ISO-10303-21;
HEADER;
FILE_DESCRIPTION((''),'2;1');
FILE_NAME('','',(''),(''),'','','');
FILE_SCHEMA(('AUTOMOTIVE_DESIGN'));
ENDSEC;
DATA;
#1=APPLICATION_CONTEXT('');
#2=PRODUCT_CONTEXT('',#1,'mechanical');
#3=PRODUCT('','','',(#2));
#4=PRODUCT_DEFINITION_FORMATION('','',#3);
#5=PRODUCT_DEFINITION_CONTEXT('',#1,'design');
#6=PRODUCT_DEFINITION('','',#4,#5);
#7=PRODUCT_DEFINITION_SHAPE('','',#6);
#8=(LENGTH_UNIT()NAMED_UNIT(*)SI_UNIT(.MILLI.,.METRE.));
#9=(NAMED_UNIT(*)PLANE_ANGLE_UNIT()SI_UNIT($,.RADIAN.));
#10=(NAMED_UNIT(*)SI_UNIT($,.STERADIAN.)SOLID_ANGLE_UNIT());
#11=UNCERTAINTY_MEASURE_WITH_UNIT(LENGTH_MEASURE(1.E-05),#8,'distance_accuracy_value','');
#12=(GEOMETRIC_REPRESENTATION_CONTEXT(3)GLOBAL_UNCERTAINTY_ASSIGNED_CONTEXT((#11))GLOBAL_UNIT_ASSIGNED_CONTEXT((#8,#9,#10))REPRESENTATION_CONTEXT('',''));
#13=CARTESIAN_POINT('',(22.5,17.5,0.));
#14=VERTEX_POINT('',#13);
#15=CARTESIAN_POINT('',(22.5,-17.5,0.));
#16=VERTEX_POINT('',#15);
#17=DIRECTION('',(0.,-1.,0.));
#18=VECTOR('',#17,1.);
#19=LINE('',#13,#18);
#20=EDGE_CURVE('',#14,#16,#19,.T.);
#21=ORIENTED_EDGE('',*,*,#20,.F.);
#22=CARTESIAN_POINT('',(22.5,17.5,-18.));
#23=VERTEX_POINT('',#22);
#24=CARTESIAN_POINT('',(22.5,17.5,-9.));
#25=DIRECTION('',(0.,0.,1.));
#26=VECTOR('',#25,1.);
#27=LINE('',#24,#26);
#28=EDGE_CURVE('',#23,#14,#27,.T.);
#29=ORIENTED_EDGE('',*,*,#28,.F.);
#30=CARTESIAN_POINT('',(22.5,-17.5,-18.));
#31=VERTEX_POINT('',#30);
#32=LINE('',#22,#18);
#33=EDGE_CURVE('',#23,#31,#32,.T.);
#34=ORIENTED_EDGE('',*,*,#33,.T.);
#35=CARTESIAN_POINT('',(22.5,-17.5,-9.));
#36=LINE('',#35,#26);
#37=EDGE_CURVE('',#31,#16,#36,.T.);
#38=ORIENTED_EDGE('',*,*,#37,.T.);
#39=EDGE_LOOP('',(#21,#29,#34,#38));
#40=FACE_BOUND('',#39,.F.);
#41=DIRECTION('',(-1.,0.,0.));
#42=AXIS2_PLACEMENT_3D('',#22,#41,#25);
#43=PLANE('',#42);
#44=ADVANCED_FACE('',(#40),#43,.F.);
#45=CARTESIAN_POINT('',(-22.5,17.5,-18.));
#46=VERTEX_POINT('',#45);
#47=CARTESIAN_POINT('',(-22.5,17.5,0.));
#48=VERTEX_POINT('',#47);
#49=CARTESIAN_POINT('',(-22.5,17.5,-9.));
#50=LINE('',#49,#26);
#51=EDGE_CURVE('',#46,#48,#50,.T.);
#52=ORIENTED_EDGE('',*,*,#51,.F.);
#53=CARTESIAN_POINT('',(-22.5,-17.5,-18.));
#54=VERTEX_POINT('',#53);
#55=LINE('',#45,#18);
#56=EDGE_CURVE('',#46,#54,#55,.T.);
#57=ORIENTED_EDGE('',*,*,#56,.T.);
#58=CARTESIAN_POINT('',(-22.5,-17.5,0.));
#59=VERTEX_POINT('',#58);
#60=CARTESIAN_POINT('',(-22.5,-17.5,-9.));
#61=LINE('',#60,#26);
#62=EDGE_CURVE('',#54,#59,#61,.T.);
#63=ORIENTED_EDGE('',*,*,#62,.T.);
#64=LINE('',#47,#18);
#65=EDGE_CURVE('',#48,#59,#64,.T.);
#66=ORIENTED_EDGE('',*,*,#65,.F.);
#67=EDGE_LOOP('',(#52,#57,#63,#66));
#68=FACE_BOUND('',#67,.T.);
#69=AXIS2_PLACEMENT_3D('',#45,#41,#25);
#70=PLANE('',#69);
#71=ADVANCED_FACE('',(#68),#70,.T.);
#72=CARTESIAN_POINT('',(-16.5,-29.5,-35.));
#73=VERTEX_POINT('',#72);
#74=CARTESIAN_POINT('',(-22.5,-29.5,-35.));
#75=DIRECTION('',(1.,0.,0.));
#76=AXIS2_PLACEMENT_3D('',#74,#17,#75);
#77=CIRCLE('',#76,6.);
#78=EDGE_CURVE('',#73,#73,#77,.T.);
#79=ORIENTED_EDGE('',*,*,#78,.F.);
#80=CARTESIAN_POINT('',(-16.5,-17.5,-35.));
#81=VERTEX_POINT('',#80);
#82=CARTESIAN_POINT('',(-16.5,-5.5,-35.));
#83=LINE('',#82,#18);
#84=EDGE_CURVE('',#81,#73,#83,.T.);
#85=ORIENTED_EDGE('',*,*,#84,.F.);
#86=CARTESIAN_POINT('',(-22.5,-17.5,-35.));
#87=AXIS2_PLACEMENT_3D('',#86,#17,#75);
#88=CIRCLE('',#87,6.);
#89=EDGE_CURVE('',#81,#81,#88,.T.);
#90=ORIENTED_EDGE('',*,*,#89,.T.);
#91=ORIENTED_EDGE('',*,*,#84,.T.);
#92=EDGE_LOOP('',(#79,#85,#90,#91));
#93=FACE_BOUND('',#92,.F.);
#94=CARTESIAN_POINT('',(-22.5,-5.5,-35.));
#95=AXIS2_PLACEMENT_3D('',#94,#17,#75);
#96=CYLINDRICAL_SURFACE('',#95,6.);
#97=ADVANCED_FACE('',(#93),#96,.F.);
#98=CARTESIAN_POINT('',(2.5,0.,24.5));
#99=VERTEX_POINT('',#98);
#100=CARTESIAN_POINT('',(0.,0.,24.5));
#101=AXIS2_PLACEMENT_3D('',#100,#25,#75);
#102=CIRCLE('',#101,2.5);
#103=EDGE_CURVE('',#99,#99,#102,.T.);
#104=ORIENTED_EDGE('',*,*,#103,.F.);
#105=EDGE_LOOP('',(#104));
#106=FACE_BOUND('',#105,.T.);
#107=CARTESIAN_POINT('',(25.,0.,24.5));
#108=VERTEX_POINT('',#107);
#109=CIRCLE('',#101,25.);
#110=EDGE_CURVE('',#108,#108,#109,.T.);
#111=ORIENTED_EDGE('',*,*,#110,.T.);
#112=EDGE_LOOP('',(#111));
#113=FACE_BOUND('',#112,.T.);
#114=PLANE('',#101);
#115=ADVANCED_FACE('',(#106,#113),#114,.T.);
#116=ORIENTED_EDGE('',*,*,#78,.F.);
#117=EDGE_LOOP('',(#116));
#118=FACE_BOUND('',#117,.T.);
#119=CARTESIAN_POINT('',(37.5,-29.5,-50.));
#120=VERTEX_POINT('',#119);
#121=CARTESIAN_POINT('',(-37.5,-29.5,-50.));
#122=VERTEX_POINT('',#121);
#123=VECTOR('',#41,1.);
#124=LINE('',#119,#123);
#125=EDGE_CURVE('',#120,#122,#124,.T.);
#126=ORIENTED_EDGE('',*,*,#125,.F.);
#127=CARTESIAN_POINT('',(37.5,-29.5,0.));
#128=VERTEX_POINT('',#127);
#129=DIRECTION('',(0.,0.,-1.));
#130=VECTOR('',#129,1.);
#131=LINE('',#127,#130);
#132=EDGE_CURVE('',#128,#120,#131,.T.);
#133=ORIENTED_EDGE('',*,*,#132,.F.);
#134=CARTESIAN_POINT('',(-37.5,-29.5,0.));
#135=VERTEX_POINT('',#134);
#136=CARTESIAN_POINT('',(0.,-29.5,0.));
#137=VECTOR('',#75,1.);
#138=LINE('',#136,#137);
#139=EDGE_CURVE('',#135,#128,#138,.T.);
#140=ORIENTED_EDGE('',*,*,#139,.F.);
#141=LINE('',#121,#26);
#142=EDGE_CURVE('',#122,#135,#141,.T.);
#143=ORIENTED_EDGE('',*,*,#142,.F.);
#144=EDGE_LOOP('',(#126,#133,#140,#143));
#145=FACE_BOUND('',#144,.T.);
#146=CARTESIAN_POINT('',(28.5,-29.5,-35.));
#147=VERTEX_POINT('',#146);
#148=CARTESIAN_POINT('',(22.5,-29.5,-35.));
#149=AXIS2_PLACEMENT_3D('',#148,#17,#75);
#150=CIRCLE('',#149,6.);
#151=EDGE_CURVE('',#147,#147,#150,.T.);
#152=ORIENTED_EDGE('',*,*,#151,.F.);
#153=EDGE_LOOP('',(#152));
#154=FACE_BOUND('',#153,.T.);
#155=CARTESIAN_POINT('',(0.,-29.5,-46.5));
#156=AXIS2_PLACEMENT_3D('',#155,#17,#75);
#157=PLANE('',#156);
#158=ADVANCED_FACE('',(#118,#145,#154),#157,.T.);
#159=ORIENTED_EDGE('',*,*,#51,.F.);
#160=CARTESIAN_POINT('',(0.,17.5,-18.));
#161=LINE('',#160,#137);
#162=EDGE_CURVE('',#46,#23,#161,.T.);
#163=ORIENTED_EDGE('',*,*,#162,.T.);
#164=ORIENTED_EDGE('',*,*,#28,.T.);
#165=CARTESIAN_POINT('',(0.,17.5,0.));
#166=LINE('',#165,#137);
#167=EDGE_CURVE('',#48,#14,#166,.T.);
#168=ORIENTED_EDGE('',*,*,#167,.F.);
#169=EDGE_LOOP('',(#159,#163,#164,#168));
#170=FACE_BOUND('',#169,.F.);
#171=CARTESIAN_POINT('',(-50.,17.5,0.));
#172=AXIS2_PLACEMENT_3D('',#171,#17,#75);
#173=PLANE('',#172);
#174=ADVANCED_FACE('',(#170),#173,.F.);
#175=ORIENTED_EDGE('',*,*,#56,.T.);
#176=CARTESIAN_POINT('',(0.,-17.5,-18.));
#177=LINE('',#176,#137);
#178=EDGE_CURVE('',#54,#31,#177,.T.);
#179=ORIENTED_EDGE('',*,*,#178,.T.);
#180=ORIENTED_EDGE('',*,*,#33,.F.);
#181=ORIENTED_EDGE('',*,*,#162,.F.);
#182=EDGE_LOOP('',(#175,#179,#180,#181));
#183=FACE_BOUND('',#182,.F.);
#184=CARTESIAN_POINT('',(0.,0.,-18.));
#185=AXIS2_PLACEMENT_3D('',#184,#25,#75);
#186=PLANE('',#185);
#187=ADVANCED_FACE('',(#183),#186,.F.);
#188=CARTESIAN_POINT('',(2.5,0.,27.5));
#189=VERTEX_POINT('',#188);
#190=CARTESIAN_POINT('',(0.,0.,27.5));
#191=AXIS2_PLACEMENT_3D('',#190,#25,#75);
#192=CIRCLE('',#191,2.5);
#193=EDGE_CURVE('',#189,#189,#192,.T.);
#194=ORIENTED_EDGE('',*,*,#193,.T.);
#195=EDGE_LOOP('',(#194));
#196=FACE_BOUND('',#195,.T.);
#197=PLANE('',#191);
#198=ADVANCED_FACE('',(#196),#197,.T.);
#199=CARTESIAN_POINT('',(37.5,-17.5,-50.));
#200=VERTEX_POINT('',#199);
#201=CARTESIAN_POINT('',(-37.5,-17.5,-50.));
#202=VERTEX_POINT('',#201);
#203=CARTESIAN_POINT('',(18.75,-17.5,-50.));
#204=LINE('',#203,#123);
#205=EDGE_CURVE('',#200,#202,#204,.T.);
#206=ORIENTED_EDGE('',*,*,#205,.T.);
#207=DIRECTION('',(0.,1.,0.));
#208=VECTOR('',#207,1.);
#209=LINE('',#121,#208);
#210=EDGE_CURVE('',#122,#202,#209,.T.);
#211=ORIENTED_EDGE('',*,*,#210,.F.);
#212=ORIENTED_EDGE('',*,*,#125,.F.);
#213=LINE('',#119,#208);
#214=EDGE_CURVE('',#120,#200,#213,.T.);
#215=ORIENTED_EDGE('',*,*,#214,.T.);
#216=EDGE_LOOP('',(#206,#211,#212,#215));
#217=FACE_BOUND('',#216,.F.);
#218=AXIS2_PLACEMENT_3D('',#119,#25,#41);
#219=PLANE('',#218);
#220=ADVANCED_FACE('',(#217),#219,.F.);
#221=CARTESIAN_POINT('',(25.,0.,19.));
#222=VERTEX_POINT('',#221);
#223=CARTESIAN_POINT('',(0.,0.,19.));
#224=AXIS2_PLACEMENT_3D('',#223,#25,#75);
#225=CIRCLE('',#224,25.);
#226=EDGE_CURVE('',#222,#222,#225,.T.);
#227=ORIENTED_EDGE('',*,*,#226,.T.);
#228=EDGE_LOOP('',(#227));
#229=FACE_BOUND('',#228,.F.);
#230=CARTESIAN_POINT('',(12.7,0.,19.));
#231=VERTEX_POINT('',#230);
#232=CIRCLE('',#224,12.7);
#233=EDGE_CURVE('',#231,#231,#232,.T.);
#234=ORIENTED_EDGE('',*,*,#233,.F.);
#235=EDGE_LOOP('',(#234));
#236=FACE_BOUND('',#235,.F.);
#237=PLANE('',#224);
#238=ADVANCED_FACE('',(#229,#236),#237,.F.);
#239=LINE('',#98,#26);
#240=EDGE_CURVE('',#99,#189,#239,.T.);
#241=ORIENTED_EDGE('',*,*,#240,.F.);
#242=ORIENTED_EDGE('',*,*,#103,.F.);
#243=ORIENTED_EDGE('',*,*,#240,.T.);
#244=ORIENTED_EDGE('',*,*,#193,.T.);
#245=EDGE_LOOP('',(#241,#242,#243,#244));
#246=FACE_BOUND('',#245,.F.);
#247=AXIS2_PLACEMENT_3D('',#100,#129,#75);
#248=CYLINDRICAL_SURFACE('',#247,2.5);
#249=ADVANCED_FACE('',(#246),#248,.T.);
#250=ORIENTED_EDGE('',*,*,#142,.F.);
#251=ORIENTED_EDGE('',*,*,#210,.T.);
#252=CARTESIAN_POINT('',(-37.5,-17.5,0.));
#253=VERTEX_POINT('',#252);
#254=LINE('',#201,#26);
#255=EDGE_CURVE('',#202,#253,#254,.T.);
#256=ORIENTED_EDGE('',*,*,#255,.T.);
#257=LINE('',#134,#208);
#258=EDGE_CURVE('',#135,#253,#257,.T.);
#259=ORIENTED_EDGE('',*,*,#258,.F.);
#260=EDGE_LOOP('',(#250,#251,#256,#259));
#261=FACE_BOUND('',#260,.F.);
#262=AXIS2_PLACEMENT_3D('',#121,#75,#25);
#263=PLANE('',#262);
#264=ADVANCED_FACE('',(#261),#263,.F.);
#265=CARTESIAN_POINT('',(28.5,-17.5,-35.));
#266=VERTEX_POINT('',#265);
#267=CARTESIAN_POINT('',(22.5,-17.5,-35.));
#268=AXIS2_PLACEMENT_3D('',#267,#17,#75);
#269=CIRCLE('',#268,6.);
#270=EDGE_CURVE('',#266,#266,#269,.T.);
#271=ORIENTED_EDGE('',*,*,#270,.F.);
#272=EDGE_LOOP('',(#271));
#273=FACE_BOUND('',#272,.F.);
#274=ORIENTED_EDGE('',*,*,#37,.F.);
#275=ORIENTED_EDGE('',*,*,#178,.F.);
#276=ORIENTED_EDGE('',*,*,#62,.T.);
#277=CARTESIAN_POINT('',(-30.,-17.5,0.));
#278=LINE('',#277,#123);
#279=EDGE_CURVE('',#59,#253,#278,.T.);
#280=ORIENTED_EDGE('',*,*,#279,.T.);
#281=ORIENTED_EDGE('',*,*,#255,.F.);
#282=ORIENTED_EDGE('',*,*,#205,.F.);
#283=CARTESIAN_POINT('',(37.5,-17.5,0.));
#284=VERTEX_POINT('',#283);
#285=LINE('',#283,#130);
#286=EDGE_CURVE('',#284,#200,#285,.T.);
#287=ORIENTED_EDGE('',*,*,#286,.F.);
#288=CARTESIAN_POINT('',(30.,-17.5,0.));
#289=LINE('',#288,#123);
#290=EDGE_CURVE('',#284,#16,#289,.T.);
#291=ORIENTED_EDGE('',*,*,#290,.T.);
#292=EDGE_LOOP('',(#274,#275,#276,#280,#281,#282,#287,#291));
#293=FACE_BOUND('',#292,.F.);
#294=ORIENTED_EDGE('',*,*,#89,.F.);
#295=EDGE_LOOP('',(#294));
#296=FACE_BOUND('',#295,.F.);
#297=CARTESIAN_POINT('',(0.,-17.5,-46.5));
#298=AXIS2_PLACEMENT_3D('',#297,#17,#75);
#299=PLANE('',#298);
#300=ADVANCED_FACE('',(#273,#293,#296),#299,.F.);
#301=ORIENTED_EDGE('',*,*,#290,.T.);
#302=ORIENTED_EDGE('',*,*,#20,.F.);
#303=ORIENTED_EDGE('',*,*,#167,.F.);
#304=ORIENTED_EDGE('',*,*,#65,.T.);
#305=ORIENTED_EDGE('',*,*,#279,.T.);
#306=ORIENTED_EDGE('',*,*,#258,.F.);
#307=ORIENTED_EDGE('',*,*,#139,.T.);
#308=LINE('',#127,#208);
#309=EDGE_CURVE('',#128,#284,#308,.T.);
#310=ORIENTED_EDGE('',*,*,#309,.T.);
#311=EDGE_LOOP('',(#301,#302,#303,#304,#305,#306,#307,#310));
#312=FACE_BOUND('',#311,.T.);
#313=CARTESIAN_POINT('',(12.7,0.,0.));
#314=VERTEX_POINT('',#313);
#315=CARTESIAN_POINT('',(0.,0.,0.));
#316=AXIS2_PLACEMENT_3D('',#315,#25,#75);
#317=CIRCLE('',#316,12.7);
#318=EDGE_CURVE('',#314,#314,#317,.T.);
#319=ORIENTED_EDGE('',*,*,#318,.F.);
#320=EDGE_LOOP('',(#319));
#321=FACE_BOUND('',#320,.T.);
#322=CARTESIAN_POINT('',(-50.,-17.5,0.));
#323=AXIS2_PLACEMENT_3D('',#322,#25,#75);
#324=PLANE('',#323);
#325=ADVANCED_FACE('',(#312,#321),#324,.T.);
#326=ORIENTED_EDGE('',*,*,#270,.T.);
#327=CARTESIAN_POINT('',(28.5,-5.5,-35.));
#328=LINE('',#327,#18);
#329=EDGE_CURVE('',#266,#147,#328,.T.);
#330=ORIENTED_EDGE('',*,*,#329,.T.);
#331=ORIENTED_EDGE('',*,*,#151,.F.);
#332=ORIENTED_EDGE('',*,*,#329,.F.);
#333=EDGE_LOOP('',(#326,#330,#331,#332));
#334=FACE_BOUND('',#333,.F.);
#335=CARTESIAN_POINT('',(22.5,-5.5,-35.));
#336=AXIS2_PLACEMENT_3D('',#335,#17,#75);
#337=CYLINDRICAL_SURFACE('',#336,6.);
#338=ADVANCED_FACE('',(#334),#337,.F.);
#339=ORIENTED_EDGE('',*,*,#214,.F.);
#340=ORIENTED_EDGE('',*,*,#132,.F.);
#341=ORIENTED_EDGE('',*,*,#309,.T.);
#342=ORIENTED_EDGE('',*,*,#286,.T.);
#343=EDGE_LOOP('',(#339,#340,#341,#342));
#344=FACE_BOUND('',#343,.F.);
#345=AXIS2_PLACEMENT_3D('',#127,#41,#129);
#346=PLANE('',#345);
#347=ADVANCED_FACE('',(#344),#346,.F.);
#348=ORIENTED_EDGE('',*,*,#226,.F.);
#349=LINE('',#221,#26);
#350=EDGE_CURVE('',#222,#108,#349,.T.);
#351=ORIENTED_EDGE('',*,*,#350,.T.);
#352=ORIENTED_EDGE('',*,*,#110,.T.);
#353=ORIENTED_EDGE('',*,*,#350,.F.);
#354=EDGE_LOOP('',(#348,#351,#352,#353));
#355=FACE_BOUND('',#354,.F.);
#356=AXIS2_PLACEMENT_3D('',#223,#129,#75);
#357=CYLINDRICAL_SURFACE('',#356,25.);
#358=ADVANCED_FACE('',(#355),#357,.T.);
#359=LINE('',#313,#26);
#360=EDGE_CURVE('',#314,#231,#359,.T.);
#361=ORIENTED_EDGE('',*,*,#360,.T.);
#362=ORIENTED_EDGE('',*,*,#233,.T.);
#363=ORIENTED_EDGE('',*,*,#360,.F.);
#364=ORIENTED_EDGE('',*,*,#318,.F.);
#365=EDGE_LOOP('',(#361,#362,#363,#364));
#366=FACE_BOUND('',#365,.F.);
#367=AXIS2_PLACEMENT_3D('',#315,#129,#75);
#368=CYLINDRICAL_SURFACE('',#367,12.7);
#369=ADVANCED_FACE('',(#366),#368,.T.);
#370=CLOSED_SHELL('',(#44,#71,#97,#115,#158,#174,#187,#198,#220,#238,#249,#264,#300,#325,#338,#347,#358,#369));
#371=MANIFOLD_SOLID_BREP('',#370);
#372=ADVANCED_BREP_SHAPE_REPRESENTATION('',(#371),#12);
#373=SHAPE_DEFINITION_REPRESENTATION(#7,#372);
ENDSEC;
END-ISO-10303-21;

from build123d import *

# Parameters (mm, degrees)
F0_W      = 100
F0_H      = 35
F1_DEPTH  = 18
F2_R      = 12.7
F3_DEPTH  = 19
F4_R      = 25
F4_R_2    = 12.7
F5_DEPTH  = 5.5
F6_R      = 2.5
F7_DEPTH  = 3
F8_W      = 100
F8_H      = 57
F8_H_2    = 18
F9_DEPTH  = 12
F11_DEPTH = 50
F13_D     = 12
F13_DEPTH = 12
F14_W     = 15
F14_H     = 18
F15_DEPTH = 35


with BuildPart() as f1:
    # F0 (on Top) → F1 (new body)
    with BuildSketch(Plane.XY):
        Rectangle(F0_W, F0_H)
    extrude(amount=-F1_DEPTH)

    # F2 (on face) → F3 (join)
    with BuildSketch(Plane.XY):
        Circle(F2_R)
    extrude(amount=F3_DEPTH)

    # F4 (on face) → F5 (join)
    with BuildSketch(Plane.XY.offset(19)):
        Circle(F4_R)
        Circle(F4_R_2, mode=Mode.SUBTRACT)
        Circle(F4_R_2)
    extrude(amount=F5_DEPTH)

    # F6 (on face) → F7 (join)
    with BuildSketch(Plane.XY.offset(24.5)):
        Circle(F6_R)
    extrude(amount=F7_DEPTH)

    # F8 (on face) → F9 (join)
    with BuildSketch(Plane.XZ.offset(17.5)):
        with Locations((0, -46.5)):
            Rectangle(F8_W, F8_H)
        with Locations((0, -9)):
            Rectangle(F8_W, F8_H_2)
    extrude(amount=F9_DEPTH)

    # F10 (on face) → F11 (cut)
    with BuildSketch(Plane.XZ.offset(29.5)):
        Polygon((-37.5, -50), (-37.5, 0), (-50, 0), (-50, -75), (50, -75), (50, 0), (37.5, 0), (37.5, -50), align=None)
    extrude(amount=-F11_DEPTH, mode=Mode.SUBTRACT)

    # F13
    with Locations(Plane(origin=(0, -17.5, 0), x_dir=(-1, 0, 0), z_dir=(0, 1, 0))):
        with Locations((-22.5, -35), (22.5, -35)):
            Hole(F13_D / 2, depth=F13_DEPTH)

    # F14 (on face) → F15 (cut)
    with BuildSketch(Plane(origin=(0, 17.5, 0), x_dir=(-1, 0, 0), z_dir=(0, 1, 0))):
        with Locations((-30, -9)):
            Rectangle(F14_W, F14_H)
        with Locations((30, -9)):
            Rectangle(F14_W, F14_H)
    extrude(amount=-F15_DEPTH, mode=Mode.SUBTRACT)


solid = f1.part
